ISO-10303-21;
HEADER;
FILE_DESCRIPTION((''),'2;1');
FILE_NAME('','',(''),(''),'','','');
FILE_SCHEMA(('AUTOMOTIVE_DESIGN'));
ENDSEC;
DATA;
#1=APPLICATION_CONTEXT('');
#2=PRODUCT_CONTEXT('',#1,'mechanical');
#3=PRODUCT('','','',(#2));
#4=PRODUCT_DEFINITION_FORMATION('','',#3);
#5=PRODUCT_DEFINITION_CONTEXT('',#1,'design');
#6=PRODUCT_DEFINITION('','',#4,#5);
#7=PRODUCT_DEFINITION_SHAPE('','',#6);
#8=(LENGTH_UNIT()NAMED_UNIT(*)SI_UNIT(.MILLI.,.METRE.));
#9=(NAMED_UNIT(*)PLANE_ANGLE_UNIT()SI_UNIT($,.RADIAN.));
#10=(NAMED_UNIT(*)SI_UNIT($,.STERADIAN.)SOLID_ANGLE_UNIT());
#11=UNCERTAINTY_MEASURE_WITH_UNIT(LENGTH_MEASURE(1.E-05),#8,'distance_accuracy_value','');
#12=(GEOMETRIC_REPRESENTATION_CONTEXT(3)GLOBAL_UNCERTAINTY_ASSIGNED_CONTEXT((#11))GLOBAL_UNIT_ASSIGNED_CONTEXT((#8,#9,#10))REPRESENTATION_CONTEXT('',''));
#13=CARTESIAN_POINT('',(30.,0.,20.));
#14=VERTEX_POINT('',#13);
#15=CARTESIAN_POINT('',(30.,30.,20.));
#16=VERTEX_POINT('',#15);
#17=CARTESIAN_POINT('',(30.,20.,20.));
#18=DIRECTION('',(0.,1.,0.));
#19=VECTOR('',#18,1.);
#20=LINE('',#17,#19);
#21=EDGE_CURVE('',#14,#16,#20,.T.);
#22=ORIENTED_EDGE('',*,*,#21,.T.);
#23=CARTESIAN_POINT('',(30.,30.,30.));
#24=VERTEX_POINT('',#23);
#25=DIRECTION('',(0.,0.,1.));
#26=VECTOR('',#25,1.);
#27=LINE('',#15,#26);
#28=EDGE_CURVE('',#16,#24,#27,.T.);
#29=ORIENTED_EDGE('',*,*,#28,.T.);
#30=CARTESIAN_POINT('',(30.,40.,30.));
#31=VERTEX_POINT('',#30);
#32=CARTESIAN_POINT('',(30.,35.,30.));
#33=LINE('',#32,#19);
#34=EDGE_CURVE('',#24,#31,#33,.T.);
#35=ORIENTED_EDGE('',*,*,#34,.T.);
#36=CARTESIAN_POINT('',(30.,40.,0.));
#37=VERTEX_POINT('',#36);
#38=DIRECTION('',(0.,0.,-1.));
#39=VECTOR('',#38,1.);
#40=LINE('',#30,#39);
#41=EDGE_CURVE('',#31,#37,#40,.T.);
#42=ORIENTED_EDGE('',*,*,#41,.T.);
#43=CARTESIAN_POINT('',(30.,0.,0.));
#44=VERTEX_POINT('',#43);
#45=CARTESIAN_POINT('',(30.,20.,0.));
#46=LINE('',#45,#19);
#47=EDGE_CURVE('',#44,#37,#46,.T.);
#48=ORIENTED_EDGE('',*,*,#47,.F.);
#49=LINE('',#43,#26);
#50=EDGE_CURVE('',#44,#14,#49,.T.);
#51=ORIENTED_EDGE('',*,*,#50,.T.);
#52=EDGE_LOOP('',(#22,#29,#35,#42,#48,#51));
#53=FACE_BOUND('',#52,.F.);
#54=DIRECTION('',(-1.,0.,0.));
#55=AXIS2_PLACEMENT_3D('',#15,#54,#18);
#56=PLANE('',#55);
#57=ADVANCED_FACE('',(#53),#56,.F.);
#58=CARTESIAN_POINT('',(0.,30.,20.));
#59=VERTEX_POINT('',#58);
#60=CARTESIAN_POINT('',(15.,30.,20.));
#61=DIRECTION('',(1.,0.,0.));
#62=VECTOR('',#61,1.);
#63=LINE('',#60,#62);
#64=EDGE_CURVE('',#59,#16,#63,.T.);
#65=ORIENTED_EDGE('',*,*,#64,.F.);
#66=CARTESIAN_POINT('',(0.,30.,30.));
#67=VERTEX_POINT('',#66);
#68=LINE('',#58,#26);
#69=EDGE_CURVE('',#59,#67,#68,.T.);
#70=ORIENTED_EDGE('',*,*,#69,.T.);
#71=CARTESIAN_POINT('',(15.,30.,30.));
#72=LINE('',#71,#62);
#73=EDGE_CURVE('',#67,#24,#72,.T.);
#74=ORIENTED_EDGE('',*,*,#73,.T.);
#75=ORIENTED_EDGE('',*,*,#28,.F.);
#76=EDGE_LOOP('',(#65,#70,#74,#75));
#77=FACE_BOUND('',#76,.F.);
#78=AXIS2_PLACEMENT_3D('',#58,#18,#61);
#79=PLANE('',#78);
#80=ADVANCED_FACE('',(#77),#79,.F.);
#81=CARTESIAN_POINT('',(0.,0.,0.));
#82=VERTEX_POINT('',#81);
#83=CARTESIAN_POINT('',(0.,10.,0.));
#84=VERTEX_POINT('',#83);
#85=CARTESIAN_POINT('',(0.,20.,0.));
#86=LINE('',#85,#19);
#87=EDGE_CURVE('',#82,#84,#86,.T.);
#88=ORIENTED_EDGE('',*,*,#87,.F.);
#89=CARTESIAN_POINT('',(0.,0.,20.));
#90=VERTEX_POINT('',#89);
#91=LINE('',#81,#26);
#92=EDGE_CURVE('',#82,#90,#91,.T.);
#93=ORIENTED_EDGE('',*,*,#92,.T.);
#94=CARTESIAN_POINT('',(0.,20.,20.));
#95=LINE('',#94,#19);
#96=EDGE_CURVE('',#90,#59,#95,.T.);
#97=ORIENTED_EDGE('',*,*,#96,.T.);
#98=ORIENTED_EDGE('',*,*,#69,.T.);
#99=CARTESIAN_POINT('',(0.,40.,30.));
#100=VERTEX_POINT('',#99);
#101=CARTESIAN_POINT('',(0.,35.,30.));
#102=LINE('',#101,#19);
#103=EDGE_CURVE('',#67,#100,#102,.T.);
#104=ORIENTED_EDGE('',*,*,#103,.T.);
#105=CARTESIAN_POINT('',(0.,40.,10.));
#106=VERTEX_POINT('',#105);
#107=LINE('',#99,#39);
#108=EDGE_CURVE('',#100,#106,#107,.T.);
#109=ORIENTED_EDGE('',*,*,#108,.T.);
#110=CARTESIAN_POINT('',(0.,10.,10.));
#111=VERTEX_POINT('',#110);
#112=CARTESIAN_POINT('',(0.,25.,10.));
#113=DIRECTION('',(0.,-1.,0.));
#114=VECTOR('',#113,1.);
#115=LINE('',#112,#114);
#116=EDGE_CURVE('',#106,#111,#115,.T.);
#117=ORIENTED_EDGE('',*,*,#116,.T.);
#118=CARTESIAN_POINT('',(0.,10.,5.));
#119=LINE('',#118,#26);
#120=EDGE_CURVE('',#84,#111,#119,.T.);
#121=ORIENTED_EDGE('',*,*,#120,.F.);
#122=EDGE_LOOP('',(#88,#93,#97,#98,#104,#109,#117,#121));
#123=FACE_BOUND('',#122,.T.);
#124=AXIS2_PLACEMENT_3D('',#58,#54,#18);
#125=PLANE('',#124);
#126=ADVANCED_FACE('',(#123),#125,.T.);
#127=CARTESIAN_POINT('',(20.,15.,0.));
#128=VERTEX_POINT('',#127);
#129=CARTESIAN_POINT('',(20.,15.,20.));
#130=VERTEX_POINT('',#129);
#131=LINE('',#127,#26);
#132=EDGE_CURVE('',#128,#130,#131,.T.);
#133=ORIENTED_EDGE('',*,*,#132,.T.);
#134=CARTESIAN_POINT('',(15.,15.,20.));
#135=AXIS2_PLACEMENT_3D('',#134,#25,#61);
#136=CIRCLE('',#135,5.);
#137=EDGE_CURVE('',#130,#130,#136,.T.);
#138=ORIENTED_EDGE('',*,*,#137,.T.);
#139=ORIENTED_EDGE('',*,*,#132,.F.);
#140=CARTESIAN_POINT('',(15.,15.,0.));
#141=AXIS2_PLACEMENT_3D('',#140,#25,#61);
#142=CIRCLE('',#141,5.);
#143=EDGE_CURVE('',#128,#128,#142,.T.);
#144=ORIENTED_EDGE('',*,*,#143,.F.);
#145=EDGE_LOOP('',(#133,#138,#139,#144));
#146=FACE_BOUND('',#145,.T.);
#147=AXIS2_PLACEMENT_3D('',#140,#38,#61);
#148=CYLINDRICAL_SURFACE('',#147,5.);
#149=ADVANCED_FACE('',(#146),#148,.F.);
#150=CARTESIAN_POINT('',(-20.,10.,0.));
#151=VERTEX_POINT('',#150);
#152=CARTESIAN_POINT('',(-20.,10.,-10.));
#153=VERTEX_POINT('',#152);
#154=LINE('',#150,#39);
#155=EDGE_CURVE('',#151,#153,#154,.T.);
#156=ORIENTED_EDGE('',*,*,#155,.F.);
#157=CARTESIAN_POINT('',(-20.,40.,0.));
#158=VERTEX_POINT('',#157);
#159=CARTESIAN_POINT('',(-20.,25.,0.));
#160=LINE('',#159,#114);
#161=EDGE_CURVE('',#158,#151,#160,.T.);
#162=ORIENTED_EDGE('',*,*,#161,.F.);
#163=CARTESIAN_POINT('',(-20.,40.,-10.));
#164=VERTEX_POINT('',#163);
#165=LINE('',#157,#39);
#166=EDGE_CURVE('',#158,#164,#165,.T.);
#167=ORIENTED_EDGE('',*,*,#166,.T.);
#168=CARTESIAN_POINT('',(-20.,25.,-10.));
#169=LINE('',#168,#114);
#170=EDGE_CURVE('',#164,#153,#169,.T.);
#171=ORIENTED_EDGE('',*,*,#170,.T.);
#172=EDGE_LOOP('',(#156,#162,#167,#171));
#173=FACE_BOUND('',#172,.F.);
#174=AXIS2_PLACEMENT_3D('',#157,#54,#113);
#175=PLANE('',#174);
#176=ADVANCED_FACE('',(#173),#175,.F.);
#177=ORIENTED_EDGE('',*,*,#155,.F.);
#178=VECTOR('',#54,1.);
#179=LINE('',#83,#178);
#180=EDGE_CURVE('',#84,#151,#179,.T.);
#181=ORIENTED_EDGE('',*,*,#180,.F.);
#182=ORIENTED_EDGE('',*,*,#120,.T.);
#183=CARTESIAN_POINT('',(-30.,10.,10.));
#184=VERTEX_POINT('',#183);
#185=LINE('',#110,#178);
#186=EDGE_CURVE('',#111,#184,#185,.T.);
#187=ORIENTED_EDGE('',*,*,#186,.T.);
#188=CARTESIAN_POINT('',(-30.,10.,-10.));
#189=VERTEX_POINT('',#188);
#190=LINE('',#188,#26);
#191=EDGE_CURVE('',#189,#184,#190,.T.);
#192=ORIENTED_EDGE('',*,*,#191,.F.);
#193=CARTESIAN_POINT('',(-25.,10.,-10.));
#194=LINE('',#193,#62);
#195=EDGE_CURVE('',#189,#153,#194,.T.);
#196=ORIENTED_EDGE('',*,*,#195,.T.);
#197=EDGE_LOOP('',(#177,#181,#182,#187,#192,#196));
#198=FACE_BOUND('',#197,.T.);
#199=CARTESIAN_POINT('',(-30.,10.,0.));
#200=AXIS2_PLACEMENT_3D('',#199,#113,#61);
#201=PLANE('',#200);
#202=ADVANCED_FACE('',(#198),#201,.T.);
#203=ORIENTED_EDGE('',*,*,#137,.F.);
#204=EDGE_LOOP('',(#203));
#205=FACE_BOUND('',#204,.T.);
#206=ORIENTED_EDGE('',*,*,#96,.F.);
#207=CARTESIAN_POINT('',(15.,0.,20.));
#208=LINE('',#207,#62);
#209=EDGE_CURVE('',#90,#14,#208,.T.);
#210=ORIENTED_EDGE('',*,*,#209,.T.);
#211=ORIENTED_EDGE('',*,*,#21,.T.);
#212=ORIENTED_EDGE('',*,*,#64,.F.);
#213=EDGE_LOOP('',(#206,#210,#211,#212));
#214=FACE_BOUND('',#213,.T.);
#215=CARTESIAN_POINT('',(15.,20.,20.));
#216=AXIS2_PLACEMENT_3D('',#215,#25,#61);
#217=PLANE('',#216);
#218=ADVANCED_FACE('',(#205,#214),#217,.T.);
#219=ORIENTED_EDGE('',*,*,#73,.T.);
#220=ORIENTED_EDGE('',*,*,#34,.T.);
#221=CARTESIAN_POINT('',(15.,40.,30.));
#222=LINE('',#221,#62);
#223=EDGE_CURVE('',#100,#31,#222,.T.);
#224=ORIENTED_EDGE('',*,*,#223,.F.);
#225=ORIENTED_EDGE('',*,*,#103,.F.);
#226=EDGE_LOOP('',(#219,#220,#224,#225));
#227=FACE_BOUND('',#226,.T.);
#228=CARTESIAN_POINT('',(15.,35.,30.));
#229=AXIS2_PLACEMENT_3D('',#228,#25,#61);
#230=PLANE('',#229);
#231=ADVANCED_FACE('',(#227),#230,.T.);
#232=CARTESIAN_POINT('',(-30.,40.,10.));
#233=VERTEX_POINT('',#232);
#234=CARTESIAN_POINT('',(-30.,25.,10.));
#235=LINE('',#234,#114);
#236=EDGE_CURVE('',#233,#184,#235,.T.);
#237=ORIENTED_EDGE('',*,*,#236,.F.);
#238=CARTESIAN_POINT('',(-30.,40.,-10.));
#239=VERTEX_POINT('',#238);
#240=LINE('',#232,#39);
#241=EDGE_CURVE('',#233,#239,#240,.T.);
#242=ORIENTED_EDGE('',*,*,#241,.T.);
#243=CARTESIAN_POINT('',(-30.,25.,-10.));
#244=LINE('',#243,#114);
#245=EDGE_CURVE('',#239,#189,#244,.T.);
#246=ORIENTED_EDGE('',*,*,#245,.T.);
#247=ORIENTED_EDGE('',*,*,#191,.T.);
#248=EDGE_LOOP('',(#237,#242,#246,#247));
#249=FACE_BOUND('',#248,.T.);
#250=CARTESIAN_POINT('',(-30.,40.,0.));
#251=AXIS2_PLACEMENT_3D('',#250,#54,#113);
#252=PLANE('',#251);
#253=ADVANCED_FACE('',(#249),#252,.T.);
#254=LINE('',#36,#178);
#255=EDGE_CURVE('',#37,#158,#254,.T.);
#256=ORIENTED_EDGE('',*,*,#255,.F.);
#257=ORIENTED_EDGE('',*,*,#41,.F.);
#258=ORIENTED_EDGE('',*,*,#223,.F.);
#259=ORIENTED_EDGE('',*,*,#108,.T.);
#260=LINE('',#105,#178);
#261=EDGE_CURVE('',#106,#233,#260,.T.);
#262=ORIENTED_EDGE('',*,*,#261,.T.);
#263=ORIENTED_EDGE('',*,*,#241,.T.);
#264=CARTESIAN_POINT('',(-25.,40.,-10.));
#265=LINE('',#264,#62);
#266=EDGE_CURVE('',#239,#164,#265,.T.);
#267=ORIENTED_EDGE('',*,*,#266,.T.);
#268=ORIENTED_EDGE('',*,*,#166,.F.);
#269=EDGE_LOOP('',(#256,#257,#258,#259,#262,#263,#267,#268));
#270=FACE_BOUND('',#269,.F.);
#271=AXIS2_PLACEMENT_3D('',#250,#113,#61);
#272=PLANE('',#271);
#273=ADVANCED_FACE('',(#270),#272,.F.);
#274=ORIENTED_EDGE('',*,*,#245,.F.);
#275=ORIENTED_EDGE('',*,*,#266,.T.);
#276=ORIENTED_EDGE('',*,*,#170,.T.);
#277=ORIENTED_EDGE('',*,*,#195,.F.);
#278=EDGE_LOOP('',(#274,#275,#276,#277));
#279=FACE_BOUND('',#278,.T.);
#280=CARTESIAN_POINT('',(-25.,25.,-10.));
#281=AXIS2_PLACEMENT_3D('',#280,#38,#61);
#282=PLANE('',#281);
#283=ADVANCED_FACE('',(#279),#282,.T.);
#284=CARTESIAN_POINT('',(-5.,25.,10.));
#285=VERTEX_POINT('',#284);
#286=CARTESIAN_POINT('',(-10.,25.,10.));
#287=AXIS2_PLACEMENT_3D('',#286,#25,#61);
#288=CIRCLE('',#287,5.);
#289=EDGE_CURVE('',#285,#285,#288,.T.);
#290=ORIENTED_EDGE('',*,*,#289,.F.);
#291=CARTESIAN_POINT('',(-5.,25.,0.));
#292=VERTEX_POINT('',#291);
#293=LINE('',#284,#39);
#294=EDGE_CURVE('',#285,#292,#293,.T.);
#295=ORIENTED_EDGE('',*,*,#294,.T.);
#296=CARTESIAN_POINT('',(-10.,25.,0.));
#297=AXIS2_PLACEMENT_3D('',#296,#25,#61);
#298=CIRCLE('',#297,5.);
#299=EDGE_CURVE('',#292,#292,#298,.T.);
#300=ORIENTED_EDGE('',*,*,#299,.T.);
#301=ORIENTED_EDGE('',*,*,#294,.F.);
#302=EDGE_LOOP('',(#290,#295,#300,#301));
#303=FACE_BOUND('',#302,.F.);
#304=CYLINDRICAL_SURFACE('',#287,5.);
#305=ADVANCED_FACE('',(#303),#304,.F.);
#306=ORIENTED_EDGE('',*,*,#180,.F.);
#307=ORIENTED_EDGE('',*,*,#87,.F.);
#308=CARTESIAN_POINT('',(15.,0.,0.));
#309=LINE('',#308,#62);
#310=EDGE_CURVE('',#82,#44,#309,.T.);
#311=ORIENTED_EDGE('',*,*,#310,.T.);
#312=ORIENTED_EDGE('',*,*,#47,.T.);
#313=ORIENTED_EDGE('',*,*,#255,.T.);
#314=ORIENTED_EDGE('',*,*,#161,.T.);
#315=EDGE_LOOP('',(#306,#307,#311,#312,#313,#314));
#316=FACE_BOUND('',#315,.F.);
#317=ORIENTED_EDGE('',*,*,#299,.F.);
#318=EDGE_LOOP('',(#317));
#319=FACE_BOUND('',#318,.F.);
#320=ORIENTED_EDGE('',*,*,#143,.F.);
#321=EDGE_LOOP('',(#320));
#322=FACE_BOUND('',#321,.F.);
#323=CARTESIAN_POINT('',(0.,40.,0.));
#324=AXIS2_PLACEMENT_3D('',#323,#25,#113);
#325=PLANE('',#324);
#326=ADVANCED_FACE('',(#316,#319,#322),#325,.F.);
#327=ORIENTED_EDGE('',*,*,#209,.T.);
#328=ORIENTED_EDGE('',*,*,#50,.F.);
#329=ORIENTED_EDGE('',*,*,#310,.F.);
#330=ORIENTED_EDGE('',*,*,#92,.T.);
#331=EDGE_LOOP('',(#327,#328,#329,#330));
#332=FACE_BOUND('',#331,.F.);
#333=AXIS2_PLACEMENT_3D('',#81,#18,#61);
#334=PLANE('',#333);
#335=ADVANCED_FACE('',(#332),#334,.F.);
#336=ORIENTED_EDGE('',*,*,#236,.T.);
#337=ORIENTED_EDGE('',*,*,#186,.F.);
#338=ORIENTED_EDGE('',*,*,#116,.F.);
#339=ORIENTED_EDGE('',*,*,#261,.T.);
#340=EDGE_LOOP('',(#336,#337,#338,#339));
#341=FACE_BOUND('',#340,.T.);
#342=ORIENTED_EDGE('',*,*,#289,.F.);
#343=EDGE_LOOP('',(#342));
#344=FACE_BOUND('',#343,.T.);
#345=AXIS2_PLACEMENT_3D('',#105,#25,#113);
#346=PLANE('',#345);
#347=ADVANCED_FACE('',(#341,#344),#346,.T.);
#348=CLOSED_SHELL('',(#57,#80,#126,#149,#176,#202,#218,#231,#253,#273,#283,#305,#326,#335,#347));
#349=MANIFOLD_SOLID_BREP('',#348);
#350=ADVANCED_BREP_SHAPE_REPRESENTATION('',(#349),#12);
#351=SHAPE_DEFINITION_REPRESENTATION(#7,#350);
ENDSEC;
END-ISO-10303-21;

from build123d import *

# Parameters (mm, degrees)
F0_W     = 30
F0_H     = 40
F0_R     = 5
F1_DEPTH = 20
F2_W     = 30
F2_H     = 10
F3_DEPTH = 10
F4_W     = 30
F4_H     = 10
F5_DEPTH = 30
F6_R     = 5
F7_DEPTH = 25
F8_W     = 10
F8_H     = 30
F9_DEPTH = 10


with BuildPart() as f1:
    # F0 (on Top) → F1 (new body)
    with BuildSketch(Plane.XY):
        with Locations((15, 20)):
            Rectangle(F0_W, F0_H)
        with Locations((15, 15)):
            Circle(F0_R, mode=Mode.SUBTRACT)
    extrude(amount=F1_DEPTH)

    # F2 (on face) → F3 (join)
    with BuildSketch(Plane.XY.offset(20)):
        with Locations((15, 35)):
            Rectangle(F2_W, F2_H)
    extrude(amount=F3_DEPTH)

    # F4 (on face) → F5 (join)
    with BuildSketch(Plane(origin=(0, 0, 0), x_dir=(0, -1, 0), z_dir=(-1, 0, 0))):
        with Locations((-25, 5)):
            Rectangle(F4_W, F4_H)
    extrude(amount=F5_DEPTH)

    # F6 (on face) → F7 (cut)
    with BuildSketch(Plane.XY.offset(10)):
        with Locations((-10, 25)):
            Circle(F6_R)
    extrude(amount=-F7_DEPTH, mode=Mode.SUBTRACT)

    # F8 (on face) → F9 (join)
    with BuildSketch(Plane(origin=(0, 0, 0), x_dir=(1, 0, 0), z_dir=(0, 0, -1))):
        with Locations((-25, -25)):
            Rectangle(F8_W, F8_H)
    extrude(amount=F9_DEPTH)


solid = f1.part
